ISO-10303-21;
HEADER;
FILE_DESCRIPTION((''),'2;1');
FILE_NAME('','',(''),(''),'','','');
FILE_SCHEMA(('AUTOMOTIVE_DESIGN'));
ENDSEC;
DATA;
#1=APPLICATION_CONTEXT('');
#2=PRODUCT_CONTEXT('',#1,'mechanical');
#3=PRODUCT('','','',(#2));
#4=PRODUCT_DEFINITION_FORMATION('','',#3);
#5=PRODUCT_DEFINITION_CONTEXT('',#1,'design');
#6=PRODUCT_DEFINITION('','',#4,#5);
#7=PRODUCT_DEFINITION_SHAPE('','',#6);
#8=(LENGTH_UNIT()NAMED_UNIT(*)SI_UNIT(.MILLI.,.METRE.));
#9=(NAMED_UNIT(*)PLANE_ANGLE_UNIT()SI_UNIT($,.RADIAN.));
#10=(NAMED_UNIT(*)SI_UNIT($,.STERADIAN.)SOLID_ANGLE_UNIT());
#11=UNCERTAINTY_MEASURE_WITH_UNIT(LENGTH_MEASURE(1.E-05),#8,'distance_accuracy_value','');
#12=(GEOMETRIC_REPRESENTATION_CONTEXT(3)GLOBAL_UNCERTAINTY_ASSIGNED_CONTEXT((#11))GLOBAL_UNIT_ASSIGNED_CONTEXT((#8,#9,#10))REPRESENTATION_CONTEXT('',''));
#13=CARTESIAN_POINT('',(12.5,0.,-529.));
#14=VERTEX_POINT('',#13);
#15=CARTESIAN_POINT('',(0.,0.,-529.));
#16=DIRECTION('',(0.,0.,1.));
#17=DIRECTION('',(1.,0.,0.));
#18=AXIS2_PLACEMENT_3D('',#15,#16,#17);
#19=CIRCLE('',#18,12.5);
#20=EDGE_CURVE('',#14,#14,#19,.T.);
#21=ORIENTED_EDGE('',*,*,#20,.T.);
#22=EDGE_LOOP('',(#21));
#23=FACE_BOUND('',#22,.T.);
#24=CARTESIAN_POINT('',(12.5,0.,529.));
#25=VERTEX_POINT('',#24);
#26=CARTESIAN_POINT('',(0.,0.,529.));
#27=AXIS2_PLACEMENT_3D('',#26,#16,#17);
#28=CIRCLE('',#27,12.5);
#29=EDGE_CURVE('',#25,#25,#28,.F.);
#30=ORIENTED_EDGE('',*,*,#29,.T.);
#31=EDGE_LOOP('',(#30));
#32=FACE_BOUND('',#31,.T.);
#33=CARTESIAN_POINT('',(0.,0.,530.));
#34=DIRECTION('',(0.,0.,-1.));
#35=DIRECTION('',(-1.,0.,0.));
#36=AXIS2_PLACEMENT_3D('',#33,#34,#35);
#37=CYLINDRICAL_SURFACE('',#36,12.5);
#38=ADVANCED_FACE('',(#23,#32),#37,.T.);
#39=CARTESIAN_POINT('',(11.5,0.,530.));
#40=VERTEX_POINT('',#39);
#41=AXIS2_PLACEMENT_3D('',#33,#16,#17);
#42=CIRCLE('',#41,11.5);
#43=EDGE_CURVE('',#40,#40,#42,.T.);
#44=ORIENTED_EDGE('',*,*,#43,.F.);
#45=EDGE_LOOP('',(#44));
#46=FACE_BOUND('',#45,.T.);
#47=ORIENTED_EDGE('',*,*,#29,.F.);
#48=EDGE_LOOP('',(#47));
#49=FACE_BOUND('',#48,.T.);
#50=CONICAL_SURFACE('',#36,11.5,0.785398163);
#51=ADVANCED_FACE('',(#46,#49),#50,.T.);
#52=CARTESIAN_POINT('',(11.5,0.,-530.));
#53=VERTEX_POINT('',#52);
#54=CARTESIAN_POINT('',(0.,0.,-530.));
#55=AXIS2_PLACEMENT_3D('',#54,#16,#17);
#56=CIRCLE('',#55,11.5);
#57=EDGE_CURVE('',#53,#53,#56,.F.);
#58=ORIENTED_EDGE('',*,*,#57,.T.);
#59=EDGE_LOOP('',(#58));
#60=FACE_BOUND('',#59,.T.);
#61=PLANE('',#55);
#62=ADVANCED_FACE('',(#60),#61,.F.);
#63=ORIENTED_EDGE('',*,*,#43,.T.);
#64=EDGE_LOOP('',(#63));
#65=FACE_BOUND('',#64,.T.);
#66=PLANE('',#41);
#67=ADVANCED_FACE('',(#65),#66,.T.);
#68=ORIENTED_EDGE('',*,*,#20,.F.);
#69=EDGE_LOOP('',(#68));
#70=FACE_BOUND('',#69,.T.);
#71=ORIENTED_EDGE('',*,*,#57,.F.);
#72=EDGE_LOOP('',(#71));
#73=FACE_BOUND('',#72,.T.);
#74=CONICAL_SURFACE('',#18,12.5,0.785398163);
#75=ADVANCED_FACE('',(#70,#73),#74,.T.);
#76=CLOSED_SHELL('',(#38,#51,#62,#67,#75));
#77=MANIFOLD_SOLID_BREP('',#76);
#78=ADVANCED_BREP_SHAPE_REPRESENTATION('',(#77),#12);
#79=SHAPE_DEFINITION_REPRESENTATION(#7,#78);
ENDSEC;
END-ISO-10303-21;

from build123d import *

# Parameters (mm, degrees)
SKETCH_1_R      = 12.5
EXTRUDE_1_DEPTH = 530
CHAMFER_1_SIZE  = 1


with BuildPart() as part:
    # Эскиз1 → Бобышка-Вытянуть1 (new, symmetric)
    with BuildSketch(Plane.XY):
        Circle(SKETCH_1_R)
    extrude(amount=EXTRUDE_1_DEPTH, both=True)

    # Фаска1
    chamfer_1_edges = [part.edges().sort_by_distance(p)[0] for p in [
        (-12.5, 0, -530),
        (-12.5, 0, 530),
    ]]
    chamfer(chamfer_1_edges, length=CHAMFER_1_SIZE)


solid = part.part
